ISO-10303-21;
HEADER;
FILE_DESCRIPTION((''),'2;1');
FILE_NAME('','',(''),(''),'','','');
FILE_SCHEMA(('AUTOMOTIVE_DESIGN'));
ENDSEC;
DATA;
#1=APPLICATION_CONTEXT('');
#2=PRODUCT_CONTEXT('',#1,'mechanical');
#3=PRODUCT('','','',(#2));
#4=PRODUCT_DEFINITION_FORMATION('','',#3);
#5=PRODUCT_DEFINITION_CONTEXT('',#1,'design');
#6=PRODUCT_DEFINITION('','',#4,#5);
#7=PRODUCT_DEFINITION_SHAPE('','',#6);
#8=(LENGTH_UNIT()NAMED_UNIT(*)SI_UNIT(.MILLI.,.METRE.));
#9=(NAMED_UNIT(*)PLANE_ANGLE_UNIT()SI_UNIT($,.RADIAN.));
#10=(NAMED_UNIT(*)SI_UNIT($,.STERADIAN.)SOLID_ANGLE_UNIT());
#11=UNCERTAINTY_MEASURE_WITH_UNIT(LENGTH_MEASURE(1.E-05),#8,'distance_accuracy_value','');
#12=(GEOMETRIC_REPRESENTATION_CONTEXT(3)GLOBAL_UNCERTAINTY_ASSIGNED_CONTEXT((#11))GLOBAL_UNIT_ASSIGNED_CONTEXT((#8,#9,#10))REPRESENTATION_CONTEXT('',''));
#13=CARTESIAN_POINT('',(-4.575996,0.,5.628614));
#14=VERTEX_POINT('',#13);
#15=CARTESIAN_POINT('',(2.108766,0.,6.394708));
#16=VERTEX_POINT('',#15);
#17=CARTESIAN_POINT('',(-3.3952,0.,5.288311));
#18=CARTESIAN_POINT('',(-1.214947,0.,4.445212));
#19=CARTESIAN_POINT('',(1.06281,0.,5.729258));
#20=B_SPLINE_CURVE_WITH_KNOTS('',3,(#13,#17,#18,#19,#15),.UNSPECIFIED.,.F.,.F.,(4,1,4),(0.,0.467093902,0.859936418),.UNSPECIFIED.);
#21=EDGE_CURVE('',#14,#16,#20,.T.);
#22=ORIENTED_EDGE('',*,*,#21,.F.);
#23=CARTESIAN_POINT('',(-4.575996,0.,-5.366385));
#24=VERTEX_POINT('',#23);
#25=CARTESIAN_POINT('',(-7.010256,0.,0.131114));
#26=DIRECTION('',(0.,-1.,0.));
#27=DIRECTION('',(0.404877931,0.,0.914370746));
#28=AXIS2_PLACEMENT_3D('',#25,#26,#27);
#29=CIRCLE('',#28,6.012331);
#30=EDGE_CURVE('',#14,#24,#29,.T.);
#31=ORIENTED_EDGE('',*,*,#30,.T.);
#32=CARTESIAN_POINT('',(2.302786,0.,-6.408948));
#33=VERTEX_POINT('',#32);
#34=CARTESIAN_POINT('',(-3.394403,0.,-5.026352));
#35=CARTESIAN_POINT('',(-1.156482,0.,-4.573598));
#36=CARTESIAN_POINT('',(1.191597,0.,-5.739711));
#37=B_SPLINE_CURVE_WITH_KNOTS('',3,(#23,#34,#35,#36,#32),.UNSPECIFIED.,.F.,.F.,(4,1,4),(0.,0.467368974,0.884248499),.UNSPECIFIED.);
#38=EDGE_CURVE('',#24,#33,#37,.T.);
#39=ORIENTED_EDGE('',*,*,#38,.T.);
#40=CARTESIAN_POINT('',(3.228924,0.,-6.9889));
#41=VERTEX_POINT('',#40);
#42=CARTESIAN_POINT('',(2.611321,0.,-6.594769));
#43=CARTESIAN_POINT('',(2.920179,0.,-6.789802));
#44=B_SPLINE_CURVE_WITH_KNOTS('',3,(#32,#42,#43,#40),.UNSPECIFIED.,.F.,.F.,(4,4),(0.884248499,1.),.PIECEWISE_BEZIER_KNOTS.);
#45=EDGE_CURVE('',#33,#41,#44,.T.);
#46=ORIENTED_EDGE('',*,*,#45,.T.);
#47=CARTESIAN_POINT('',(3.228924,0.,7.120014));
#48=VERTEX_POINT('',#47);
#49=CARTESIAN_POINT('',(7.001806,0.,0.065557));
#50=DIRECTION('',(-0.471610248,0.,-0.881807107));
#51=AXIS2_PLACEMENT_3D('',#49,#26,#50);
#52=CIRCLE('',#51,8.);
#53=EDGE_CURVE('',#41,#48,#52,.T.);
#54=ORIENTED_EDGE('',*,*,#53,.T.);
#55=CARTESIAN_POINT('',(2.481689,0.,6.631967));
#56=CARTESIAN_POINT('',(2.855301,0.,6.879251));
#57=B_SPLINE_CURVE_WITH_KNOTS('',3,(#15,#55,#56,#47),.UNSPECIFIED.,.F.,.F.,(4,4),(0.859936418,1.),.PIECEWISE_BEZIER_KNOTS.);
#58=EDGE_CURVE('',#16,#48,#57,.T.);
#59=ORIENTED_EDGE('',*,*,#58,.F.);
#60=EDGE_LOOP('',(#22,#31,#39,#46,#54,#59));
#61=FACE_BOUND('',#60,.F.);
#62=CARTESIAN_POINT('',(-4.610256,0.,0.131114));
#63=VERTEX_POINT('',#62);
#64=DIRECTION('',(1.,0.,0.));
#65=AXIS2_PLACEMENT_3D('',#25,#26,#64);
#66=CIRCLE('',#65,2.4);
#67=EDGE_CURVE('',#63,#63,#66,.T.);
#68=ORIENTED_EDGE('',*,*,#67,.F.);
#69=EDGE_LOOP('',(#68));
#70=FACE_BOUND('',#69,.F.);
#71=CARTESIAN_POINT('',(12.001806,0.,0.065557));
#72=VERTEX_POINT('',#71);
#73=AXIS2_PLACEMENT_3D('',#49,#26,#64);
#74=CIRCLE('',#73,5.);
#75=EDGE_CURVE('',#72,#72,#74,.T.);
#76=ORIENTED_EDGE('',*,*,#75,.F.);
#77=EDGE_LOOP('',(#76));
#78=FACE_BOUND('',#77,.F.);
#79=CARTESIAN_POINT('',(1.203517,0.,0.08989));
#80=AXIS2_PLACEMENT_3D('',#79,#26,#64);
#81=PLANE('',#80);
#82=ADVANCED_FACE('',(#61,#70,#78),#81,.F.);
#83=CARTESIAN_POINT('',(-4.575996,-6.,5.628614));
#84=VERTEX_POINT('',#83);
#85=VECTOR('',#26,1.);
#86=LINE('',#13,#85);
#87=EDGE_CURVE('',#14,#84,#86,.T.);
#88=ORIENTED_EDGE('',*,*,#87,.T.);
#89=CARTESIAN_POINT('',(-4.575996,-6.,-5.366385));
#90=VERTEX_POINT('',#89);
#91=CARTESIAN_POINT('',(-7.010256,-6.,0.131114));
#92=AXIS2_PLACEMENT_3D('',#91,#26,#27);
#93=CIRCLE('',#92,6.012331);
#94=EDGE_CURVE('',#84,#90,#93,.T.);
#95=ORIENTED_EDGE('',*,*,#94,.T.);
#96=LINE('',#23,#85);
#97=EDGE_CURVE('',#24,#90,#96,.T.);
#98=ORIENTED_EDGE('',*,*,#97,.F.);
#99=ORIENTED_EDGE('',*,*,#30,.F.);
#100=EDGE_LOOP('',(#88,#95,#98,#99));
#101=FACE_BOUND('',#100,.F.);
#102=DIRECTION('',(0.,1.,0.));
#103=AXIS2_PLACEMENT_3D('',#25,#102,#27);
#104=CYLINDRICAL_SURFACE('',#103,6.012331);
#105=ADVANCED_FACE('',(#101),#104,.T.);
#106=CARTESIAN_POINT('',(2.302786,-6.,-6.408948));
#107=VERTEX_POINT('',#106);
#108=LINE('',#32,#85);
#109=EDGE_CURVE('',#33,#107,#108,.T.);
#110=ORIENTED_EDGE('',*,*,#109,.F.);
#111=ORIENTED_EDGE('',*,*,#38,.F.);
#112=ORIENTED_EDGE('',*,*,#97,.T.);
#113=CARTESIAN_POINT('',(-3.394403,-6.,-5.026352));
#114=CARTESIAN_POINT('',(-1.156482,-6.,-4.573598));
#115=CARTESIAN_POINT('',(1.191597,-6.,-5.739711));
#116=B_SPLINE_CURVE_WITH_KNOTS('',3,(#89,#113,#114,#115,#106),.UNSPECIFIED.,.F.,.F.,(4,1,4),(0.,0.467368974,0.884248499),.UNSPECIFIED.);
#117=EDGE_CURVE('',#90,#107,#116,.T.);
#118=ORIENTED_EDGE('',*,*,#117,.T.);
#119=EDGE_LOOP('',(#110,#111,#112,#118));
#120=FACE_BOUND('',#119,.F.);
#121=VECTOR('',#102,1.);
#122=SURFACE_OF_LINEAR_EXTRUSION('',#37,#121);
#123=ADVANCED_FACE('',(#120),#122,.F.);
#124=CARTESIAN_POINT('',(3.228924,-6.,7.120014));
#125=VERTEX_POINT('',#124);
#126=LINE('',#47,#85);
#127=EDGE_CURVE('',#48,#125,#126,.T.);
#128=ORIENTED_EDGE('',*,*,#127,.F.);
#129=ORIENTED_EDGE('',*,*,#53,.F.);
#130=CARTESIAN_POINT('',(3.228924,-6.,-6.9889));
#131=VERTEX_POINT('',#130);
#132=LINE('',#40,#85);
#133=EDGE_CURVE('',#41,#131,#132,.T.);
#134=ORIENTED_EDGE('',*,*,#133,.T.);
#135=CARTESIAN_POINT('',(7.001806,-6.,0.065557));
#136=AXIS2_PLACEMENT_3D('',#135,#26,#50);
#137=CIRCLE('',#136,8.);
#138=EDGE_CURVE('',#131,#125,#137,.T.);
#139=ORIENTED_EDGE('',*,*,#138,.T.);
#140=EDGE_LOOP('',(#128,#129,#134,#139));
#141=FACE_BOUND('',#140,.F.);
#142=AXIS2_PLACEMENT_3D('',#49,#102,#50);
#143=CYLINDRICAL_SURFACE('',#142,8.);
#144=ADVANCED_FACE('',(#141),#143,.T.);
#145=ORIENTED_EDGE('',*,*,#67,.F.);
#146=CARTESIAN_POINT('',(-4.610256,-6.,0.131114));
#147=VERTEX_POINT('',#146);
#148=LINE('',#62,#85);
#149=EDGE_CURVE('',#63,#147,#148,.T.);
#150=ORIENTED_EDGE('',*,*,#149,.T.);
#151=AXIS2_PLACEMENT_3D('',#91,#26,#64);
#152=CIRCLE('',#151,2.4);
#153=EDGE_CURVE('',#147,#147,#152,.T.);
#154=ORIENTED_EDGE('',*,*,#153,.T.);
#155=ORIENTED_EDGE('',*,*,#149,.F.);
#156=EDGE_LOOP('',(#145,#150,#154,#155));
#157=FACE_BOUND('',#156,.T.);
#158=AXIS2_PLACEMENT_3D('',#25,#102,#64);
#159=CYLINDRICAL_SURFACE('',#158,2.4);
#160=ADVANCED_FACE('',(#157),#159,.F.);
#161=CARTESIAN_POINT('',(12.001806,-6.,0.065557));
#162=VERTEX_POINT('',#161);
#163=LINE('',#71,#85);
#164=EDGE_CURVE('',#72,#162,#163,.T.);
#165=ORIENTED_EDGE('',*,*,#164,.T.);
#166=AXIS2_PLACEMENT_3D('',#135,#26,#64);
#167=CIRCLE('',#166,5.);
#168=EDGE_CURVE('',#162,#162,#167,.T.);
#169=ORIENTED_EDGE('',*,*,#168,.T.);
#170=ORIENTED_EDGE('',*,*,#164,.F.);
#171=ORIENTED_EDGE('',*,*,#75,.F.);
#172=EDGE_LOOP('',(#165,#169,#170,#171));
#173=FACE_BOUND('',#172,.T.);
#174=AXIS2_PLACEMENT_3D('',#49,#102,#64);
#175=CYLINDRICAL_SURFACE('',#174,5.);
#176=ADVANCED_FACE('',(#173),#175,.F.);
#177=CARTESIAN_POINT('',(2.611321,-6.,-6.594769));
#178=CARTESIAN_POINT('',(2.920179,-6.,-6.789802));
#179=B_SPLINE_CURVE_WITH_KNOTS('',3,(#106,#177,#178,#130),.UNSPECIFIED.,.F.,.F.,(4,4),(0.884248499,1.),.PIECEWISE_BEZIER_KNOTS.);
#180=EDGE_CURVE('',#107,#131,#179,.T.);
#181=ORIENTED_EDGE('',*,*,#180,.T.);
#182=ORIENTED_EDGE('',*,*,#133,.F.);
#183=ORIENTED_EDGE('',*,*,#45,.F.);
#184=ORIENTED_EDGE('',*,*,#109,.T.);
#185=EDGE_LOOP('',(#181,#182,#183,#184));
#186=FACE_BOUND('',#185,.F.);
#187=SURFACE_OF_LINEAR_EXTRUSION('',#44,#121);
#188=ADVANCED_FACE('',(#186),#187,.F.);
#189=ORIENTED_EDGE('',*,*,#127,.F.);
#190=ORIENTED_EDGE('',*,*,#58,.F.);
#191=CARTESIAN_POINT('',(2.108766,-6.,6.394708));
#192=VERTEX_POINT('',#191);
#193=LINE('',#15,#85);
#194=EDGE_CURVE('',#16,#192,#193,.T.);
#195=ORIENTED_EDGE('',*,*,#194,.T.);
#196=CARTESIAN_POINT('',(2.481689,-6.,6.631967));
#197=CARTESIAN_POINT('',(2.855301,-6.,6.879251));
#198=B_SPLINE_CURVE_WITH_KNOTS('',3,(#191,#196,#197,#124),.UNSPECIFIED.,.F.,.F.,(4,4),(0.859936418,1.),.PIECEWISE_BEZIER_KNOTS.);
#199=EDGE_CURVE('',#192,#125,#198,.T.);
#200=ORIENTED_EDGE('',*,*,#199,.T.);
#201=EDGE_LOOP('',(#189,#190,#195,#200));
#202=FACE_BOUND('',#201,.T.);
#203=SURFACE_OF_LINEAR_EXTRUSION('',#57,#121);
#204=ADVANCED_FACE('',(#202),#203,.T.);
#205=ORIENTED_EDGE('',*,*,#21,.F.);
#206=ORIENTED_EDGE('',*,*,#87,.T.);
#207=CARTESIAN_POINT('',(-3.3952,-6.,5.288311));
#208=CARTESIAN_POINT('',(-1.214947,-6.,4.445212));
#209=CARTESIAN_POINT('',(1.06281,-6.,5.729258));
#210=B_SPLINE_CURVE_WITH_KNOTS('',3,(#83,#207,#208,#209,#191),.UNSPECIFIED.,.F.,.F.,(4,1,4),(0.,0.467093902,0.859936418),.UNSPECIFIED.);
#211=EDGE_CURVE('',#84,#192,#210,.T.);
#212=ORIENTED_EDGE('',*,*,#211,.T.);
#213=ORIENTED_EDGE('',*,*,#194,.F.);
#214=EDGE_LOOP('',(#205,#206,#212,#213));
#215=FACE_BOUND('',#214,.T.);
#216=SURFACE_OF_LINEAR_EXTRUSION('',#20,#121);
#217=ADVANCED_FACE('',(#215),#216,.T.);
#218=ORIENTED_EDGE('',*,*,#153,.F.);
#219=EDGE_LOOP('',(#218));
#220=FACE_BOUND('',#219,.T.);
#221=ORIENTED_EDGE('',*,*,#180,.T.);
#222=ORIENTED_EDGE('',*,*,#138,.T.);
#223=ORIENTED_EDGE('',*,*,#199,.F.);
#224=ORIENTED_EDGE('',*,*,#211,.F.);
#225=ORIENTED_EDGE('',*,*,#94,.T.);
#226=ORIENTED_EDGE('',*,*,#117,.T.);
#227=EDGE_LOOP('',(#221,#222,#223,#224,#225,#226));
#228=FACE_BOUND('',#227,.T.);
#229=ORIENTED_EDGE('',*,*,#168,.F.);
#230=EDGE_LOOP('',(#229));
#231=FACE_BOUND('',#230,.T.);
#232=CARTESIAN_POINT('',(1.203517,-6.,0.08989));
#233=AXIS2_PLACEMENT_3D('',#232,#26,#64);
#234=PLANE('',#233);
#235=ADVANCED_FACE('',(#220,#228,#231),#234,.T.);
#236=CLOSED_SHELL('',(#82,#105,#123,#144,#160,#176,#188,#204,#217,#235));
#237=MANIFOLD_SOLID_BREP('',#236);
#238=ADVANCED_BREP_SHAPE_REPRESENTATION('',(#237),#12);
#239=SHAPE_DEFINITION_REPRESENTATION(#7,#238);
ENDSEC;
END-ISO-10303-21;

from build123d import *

# Parameters (mm, degrees)
F0_R     = 2.4
F0_R_2   = 5
F1_DEPTH = 6


with BuildPart() as f1:
    # F0 (on Front) → F1 (new body)
    with BuildSketch(Plane.XZ):
        with BuildLine():
            add(Edge.make_bspline(
                [(-4.5759957999, -5.3663848974), (-3.3944030614, -5.0263522526), (-1.1564816937, -4.5735976346), (1.1915972707, -5.7397107149), (2.3027864337, -6.4089476665)],
                knots=[0, 0, 0, 0, 0.4673689741, 0.8842484986, 0.8842484986, 0.8842484986, 0.8842484986], degree=3))
            add(Edge.make_bspline(
                [(2.3027864337, -6.4089476665), (2.6113211695, -6.5947691746), (2.9201786156, -6.7898015167), (3.2289242512, -6.9888996834)],
                knots=[0.8842484986, 0.8842484986, 0.8842484986, 0.8842484986, 1, 1, 1, 1], degree=3))
            ThreePointArc((3.2289242512, -6.9888996834), (15.001806232, 0.0655571744), (3.2289242512, 7.1200140322))
            add(Edge.make_bspline(
                [(2.1087657664, 6.3947083815), (2.4816893958, 6.631967091), (2.8553011873, 6.8792507811), (3.2289242512, 7.1200140322)],
                knots=[0.8599364178, 0.8599364178, 0.8599364178, 0.8599364178, 1, 1, 1, 1], degree=3))
            add(Edge.make_bspline(
                [(-4.5759957999, 5.628613595), (-3.3951999873, 5.2883114962), (-1.214946794, 4.4452120066), (1.0628103891, 5.729258398), (2.1087657664, 6.3947083815)],
                knots=[0, 0, 0, 0, 0.4670939015, 0.8599364178, 0.8599364178, 0.8599364178, 0.8599364178], degree=3))
            ThreePointArc((-4.5759957999, 5.628613595), (-13.022586423, 0.1311143488), (-4.5759957999, -5.3663848974))
        make_face()
        with Locations((-7.0102557888, 0.1311143488)):
            Circle(F0_R, mode=Mode.SUBTRACT)
        with Locations((7.001806232, 0.0655571744)):
            Circle(F0_R_2, mode=Mode.SUBTRACT)
    extrude(amount=F1_DEPTH)


solid = f1.part
